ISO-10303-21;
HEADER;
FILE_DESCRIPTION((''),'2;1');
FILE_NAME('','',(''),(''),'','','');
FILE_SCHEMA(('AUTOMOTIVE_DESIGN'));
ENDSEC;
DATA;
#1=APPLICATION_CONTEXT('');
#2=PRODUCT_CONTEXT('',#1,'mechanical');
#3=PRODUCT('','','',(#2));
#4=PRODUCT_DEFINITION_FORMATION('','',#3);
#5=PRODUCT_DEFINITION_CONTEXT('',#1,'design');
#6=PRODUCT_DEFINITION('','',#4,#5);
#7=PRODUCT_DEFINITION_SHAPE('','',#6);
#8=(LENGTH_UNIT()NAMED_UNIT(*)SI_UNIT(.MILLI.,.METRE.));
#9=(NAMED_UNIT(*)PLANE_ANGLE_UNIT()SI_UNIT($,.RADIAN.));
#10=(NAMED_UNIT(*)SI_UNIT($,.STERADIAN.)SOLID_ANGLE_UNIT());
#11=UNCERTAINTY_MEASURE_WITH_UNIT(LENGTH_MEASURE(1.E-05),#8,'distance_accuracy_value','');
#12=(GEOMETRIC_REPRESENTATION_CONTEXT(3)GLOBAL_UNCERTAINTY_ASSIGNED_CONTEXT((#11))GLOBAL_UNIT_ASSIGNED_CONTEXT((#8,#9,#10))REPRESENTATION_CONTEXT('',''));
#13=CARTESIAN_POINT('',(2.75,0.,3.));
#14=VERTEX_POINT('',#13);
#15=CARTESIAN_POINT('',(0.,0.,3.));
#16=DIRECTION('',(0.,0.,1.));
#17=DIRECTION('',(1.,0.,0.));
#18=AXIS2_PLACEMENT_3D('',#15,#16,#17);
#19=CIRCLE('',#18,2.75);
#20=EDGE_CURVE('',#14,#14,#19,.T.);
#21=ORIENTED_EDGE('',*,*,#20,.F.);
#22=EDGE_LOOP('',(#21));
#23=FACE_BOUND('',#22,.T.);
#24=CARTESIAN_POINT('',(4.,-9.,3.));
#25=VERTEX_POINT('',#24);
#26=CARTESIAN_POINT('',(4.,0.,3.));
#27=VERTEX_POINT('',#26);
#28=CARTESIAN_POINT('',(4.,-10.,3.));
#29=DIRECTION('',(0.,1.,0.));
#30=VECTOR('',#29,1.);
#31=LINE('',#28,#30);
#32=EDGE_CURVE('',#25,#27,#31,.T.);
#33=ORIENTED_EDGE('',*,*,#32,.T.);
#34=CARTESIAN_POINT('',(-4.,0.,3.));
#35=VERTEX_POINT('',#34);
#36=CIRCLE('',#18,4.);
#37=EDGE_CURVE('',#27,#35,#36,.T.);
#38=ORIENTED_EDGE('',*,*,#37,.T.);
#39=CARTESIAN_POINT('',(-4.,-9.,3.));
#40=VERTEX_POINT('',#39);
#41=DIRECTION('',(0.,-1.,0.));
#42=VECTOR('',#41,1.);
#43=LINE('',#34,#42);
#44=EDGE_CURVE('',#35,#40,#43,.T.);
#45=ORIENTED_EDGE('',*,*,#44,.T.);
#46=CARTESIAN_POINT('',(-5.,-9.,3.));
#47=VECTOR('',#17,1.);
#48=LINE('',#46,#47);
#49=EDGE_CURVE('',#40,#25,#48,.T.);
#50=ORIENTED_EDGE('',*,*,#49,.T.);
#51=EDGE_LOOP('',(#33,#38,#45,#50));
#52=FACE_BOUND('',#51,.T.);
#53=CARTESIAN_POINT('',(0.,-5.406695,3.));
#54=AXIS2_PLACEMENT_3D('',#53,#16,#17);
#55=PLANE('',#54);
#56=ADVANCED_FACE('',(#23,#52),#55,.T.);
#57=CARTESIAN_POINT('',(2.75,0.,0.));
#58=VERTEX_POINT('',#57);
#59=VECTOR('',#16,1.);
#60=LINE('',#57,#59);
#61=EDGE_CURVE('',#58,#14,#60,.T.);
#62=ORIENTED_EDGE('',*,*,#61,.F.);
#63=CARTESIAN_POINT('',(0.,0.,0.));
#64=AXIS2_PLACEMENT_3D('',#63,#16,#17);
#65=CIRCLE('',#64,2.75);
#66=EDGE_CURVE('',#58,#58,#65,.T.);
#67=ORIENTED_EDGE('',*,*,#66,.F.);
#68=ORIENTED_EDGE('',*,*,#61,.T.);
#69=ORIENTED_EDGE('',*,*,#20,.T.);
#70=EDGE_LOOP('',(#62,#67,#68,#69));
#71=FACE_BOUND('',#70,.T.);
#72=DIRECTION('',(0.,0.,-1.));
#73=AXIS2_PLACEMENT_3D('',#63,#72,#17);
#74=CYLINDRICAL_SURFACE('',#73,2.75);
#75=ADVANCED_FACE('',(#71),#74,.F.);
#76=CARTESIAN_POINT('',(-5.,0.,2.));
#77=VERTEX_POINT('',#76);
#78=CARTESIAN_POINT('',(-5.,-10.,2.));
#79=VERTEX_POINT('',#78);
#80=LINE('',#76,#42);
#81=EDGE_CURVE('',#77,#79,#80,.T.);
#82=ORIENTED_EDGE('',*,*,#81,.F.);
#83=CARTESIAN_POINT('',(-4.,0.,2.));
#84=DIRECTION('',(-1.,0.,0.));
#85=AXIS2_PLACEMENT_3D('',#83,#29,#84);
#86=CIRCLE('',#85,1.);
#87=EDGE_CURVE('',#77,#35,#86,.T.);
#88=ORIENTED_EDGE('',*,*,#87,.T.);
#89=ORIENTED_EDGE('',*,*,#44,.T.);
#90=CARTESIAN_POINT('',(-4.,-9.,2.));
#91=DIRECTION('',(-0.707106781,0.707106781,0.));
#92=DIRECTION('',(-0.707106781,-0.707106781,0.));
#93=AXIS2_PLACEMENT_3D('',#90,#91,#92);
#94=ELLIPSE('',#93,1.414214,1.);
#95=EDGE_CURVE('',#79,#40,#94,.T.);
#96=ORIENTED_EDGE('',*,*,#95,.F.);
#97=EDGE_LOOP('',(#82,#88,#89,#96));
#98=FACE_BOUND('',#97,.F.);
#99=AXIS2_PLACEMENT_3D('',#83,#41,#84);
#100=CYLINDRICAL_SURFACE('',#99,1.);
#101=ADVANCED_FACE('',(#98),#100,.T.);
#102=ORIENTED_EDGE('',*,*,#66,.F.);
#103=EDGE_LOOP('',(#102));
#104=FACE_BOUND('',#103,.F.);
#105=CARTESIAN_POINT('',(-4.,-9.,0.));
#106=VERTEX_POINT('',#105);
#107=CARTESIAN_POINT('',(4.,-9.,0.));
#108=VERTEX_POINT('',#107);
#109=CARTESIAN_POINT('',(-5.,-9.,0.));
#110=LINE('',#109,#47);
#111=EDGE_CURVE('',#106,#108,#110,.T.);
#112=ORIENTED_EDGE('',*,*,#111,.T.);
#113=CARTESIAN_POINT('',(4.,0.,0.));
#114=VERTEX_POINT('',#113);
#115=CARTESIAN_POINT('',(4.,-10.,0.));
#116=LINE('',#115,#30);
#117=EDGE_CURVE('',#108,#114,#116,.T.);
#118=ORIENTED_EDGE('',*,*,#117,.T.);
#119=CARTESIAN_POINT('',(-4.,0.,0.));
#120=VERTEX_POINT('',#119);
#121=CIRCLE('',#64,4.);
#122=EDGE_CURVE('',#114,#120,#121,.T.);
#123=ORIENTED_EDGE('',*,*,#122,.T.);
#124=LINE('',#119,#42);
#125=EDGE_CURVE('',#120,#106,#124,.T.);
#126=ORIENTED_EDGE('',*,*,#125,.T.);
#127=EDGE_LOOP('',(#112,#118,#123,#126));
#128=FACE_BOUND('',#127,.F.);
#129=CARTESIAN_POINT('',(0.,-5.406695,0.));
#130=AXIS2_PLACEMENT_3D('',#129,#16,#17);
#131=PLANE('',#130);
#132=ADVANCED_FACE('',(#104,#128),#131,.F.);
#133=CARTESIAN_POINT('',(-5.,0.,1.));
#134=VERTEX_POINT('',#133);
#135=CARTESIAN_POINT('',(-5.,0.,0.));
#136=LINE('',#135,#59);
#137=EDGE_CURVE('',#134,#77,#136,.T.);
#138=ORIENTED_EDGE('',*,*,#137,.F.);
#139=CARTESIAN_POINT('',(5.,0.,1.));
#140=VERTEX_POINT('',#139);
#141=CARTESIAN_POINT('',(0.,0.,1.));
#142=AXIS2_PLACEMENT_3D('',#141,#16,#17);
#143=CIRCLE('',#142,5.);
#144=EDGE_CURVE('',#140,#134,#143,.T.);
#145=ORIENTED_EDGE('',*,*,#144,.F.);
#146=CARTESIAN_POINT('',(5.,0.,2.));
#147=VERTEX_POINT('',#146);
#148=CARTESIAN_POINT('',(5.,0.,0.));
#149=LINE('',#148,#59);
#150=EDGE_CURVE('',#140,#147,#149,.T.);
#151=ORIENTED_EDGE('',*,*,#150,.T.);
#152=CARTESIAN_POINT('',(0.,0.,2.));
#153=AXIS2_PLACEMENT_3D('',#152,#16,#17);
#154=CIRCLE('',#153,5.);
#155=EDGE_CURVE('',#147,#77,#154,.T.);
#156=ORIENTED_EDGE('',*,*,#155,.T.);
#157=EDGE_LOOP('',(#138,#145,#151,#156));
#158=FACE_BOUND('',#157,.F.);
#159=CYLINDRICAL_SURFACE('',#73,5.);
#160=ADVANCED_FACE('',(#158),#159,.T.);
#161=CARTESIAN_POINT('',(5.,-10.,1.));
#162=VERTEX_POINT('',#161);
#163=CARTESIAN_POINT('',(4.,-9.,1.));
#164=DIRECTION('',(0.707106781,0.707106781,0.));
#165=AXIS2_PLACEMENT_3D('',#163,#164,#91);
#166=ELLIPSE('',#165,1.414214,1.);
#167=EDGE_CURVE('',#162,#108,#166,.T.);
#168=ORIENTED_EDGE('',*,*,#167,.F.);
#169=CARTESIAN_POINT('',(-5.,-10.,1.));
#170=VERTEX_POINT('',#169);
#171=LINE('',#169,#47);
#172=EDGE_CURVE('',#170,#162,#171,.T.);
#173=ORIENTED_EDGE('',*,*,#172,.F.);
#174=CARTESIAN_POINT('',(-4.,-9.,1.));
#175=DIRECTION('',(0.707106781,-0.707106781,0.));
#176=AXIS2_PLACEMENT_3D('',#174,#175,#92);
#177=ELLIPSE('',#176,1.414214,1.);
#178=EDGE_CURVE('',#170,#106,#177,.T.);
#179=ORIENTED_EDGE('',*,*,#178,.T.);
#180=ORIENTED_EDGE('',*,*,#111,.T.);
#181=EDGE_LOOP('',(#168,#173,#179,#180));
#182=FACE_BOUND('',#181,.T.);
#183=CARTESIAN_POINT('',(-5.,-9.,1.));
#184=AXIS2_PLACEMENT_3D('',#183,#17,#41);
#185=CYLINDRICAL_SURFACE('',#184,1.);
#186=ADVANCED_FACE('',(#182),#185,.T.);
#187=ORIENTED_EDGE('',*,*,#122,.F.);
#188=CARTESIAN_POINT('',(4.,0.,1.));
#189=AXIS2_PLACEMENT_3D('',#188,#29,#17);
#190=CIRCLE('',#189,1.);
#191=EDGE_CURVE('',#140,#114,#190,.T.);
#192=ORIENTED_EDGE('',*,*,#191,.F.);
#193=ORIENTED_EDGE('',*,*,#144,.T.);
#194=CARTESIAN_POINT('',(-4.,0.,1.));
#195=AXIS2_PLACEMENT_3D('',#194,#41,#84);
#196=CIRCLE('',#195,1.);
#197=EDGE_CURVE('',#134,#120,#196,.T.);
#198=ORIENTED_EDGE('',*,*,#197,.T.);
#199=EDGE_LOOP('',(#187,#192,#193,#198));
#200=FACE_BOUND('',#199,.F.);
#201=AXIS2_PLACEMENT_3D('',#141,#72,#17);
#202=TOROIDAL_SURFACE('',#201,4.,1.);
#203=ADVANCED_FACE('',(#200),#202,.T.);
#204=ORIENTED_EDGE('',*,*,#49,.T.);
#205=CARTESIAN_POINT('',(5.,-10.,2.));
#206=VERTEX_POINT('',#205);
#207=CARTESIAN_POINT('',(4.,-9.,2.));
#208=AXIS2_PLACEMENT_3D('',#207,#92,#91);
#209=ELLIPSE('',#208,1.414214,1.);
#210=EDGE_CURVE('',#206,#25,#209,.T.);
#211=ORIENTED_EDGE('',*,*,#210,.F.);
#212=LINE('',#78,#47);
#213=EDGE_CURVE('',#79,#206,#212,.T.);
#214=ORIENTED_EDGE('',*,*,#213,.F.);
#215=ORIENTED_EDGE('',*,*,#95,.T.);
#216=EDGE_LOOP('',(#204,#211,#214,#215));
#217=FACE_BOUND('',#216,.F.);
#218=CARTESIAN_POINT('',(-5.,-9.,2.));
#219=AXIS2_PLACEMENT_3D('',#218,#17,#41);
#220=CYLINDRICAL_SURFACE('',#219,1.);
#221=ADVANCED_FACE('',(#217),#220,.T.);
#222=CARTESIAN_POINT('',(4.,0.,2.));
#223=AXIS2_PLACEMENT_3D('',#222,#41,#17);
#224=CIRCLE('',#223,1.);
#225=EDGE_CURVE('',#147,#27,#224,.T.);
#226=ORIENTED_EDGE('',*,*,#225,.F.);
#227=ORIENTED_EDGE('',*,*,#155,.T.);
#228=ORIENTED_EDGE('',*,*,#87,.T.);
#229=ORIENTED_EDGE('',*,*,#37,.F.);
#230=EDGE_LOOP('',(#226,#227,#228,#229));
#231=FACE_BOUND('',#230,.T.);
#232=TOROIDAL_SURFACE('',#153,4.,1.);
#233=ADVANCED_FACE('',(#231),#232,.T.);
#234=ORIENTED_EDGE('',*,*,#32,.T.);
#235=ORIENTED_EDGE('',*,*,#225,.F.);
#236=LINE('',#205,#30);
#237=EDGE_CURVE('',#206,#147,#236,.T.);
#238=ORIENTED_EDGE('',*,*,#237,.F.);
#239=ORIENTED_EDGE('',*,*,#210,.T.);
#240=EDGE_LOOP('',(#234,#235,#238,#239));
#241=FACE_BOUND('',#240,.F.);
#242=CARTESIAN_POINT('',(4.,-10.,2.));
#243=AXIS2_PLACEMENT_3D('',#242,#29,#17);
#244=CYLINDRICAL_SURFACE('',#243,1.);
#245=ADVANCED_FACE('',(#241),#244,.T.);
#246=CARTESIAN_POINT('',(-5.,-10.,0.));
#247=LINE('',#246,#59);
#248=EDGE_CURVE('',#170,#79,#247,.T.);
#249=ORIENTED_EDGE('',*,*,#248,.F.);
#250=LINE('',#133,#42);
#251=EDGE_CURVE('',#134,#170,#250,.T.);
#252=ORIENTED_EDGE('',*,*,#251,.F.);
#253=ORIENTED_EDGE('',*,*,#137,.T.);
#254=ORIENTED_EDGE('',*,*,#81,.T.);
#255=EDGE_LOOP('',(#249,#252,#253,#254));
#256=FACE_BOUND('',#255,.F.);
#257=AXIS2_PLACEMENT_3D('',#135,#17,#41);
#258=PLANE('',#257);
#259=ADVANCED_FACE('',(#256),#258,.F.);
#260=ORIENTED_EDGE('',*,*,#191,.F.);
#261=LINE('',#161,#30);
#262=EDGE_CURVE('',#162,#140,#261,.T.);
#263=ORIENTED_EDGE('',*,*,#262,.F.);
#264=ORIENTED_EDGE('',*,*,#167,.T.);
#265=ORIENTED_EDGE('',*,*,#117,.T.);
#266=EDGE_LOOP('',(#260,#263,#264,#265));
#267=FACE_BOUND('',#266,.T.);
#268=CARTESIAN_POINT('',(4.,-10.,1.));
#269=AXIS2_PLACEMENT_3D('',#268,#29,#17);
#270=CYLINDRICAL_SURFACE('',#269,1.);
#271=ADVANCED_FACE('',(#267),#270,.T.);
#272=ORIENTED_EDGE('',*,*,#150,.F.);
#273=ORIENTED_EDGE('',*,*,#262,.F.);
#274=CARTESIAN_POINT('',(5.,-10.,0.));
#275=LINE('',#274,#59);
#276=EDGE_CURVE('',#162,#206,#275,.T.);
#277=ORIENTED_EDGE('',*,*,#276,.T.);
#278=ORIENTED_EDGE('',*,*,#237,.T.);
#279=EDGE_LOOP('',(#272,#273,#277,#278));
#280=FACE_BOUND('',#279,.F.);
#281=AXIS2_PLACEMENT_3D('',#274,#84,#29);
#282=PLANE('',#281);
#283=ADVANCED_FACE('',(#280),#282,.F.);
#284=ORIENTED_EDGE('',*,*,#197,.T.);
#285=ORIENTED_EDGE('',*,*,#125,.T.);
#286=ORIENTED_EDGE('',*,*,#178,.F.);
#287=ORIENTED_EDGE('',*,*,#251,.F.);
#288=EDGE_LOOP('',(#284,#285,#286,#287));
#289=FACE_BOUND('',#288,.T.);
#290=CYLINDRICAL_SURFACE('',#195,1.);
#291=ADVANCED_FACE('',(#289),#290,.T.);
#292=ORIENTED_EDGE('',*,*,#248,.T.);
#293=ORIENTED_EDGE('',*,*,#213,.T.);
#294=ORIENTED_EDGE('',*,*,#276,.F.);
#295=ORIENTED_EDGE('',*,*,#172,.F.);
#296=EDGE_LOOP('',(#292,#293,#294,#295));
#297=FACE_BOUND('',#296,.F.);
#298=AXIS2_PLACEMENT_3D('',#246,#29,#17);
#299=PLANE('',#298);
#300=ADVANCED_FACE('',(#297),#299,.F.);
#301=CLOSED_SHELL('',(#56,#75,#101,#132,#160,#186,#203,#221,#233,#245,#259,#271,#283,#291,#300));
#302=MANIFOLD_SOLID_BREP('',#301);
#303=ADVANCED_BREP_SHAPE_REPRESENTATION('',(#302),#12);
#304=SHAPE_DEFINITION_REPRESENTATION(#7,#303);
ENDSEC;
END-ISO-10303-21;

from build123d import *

# Parameters (mm, degrees)
F0_R     = 2.75
F1_DEPTH = 3
F2_R     = 1


with BuildPart() as f1:
    # F0 (on Top) → F1 (new body)
    with BuildSketch(Plane.XY):
        with BuildLine():
            Line((5, -10), (5, 0))
            ThreePointArc((5, 0), (0, -5), (-5, 0))
            Line((-5, 0), (-5, -10))
            Line((-5, -10), (5, -10))
        make_face()
        with BuildLine():
            ThreePointArc((-5, 0), (0, -5), (5, 0))
            ThreePointArc((5, 0), (0, 5), (-5, 0))
        make_face()
        Circle(F0_R, mode=Mode.SUBTRACT)
    extrude(amount=F1_DEPTH)

    # F2
    f2_edges = [f1.edges().sort_by_distance(p)[0] for p in [
        (5, -5, 0),
        (5, -5, 3),
        (0, -10, 3),
        (-5, 0, 1.5),
        (-5, -5, 0),
        (-5, -5, 3),
        (0, -10, 0),
    ]]
    fillet(f2_edges, radius=F2_R)


solid = f1.part
